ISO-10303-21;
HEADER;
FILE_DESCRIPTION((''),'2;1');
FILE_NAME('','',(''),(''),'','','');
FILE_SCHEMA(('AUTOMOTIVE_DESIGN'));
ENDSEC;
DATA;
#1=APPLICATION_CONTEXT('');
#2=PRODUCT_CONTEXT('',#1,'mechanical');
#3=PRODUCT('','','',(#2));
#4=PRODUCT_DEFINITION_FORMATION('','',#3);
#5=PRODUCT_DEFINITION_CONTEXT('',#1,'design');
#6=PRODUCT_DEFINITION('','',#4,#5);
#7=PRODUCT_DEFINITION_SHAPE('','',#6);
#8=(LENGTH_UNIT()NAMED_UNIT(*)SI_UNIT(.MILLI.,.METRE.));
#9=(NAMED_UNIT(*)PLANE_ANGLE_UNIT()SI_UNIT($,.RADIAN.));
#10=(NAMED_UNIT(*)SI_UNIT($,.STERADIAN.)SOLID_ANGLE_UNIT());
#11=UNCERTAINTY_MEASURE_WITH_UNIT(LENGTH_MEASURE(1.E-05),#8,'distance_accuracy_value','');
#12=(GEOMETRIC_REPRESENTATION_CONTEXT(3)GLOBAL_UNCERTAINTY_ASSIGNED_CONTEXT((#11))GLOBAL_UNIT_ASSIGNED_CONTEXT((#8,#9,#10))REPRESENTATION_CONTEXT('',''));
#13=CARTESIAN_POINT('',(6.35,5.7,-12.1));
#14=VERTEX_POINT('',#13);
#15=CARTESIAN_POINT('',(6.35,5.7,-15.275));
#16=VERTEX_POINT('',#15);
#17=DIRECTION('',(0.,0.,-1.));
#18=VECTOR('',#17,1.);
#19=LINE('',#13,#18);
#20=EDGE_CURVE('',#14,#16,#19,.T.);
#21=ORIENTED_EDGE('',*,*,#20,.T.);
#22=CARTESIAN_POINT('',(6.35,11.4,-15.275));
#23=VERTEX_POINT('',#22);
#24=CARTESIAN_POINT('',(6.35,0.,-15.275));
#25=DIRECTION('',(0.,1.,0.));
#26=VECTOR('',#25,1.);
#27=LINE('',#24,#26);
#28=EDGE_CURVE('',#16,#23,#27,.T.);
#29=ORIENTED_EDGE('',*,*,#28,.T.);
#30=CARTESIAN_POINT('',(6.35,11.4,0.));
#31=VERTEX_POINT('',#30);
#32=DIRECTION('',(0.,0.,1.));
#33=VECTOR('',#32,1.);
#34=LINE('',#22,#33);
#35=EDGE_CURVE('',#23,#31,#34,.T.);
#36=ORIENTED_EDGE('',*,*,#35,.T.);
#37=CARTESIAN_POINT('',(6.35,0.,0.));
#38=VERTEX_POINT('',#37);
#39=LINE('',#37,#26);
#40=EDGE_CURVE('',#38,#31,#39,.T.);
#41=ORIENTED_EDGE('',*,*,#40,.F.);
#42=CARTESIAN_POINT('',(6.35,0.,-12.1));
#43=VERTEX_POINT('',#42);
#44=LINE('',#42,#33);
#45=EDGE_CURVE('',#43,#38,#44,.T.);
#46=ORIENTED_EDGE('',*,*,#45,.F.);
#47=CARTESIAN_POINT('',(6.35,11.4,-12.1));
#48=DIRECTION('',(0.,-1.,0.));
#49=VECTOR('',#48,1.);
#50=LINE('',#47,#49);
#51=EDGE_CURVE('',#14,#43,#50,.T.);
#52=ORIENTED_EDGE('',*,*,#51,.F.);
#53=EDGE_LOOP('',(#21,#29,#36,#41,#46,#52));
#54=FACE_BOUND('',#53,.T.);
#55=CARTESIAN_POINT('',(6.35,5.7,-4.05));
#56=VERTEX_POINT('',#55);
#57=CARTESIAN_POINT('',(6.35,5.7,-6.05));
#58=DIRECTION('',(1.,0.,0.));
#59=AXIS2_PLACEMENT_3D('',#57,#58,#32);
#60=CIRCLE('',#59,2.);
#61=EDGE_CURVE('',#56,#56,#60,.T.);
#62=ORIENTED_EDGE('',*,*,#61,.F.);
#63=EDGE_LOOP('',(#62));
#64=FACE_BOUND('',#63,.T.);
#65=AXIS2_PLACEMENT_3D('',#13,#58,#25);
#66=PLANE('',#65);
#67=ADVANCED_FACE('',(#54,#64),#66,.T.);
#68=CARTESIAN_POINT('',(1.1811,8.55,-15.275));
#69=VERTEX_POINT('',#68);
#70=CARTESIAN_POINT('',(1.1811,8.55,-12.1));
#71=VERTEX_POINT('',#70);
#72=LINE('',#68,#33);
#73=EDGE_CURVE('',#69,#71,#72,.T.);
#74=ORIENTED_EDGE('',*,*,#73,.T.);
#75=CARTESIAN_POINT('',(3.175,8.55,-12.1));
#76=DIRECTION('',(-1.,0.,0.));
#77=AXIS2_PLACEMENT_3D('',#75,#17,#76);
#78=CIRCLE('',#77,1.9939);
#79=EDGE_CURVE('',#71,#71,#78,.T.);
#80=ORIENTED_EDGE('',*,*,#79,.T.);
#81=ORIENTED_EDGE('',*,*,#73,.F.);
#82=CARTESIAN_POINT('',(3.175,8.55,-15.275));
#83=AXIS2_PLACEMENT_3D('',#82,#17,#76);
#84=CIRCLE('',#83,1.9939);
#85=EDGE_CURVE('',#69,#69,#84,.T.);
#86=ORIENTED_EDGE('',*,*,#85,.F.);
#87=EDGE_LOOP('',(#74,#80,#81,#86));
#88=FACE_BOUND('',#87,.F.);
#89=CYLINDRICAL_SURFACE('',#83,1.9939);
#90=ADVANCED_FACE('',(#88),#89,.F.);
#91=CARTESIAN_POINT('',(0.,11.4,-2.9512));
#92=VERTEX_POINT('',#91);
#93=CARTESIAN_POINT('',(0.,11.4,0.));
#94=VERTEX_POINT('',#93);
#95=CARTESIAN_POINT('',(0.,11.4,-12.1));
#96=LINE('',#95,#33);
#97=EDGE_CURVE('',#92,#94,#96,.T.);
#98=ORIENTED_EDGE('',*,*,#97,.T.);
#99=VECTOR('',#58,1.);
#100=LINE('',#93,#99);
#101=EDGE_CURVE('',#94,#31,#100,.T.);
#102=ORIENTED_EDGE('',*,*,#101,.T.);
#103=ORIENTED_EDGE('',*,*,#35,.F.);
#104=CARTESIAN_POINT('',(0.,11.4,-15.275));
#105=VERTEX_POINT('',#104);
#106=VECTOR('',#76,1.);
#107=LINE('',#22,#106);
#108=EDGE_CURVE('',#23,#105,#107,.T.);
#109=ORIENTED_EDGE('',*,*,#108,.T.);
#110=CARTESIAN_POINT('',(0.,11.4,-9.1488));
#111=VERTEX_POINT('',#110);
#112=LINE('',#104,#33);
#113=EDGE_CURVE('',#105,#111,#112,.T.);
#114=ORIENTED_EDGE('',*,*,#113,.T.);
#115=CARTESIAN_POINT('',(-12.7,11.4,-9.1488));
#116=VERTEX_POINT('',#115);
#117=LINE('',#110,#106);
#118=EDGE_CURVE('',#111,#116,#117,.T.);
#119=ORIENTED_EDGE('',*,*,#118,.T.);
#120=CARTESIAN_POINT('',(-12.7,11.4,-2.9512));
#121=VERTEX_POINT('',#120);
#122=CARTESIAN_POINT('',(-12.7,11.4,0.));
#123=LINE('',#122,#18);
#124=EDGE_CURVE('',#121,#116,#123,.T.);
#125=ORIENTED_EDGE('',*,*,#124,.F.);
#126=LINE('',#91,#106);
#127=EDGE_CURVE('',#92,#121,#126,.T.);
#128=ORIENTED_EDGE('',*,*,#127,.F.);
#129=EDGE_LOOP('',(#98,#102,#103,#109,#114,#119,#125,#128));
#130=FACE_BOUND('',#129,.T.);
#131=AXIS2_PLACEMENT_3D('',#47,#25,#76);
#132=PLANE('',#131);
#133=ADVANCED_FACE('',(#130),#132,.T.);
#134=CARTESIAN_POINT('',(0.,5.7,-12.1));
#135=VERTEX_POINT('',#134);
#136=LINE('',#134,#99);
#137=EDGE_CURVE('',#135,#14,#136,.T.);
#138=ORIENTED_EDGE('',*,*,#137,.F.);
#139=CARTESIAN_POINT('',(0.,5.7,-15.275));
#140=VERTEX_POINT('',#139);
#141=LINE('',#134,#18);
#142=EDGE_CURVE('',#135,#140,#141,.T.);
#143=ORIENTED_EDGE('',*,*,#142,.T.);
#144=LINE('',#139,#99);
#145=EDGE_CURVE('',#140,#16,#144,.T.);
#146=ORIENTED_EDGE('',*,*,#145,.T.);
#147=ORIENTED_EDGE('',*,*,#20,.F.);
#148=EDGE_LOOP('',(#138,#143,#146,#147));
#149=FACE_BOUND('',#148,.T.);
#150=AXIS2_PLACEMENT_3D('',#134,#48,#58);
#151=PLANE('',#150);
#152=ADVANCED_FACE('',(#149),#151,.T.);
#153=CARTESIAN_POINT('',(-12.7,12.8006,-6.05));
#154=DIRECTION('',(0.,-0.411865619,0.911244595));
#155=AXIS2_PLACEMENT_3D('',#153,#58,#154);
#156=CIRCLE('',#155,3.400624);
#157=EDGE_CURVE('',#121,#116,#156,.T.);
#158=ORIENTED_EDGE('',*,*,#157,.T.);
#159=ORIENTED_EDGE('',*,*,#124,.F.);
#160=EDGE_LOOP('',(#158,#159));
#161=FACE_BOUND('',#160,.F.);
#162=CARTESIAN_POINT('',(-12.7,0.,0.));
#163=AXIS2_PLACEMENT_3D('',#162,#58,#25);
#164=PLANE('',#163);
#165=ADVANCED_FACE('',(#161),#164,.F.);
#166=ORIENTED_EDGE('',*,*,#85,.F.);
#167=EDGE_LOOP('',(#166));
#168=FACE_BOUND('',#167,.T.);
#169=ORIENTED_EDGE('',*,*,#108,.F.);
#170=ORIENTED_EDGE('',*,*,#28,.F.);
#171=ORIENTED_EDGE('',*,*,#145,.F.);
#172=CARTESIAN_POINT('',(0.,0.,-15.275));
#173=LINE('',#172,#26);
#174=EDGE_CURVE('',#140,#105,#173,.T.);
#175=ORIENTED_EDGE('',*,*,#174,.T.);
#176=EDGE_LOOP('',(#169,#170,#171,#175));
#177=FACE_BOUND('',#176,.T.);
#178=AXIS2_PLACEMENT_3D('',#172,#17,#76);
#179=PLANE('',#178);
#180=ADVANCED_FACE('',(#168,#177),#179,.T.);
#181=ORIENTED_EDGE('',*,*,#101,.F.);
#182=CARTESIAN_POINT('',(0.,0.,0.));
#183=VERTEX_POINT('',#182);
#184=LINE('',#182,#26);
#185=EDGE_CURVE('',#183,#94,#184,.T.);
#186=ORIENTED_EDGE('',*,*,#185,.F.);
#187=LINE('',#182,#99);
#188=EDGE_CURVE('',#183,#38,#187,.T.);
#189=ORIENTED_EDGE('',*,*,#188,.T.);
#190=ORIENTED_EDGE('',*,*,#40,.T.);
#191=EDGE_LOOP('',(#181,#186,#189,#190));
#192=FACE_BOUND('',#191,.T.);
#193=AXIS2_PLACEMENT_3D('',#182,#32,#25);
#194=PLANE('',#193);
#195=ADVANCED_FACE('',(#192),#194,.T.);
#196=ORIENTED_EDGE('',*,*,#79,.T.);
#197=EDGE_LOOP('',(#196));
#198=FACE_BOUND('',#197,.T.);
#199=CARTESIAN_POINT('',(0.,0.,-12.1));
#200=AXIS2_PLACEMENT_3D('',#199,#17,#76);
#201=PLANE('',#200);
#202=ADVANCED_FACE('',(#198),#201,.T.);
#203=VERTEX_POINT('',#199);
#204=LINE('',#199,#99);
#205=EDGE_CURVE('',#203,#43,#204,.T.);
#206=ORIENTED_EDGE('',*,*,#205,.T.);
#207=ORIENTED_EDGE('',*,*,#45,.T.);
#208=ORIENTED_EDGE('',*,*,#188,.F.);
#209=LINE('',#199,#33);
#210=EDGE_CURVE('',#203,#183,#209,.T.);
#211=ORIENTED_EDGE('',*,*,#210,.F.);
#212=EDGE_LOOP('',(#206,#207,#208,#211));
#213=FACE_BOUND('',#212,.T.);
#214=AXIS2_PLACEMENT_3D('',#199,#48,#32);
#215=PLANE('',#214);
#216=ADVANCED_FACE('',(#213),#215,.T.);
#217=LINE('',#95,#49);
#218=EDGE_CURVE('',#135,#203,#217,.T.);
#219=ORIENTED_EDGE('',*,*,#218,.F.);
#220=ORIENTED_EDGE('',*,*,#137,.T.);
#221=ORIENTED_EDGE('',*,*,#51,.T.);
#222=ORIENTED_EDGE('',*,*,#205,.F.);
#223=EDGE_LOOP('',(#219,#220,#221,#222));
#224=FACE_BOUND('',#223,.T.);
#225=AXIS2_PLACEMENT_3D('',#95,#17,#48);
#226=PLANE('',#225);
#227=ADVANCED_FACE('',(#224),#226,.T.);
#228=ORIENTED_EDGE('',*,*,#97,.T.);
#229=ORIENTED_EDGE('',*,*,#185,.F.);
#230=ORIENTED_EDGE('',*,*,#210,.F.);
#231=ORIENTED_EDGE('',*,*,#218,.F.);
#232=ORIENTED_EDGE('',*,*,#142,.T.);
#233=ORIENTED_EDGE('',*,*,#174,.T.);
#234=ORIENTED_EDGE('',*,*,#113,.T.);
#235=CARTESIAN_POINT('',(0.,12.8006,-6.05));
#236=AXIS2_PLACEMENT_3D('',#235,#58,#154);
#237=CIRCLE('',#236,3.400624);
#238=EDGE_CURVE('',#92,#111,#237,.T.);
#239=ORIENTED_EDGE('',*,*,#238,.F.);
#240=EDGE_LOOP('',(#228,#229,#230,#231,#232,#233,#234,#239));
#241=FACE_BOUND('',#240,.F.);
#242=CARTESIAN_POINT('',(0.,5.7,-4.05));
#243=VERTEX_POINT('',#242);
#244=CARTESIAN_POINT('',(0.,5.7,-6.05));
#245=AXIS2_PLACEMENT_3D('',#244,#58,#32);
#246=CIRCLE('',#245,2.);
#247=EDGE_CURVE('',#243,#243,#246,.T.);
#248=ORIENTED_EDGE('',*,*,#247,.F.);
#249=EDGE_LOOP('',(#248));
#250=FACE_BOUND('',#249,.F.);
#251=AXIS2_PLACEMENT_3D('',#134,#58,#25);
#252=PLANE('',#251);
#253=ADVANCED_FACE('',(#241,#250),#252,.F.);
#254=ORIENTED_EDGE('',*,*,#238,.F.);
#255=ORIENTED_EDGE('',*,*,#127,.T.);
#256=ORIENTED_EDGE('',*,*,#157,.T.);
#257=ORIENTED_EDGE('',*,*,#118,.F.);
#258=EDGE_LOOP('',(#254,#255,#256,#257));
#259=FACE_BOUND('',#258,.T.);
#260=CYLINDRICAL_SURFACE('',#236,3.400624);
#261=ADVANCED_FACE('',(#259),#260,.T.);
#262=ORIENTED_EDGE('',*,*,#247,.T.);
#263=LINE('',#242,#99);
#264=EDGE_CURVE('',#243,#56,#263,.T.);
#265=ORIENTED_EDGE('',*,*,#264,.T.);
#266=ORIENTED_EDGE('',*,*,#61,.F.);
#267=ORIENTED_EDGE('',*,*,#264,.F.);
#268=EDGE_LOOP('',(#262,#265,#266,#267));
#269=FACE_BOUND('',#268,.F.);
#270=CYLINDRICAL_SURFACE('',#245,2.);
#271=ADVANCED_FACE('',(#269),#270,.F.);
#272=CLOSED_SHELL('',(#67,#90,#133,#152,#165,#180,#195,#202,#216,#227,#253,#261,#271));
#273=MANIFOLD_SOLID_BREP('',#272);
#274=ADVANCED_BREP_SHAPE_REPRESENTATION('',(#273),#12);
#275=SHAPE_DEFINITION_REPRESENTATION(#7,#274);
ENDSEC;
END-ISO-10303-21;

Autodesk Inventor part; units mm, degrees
ref_plane "YZ Plane" through (0, 0, 0) normal (1, 0, 0) x (0, 1, 0)
ref_plane "XZ Plane" through (0, 0, 0) normal (0, 1, 0) x (-1, 0, 0)
ref_plane "XY Plane" through (0, 0, 0) normal (0, 0, 1) x (1, 0, 0)
sketch "Sketch1" plane through (0, 0, 0) normal (1, 0, 0) x (0, 1, 0)
  line L0 (0, 0) -> (11.4, 0)
  line L1 (11.4, 0) -> (11.4, -12.1)
  line L2 (11.4, -12.1) -> (0, -12.1)
  line L3 (0, -12.1) -> (0, 0)
  arc A0 (11.4, -2.9512) -> (11.4, -9.1488) centre (12.8006, -6.05) ccw
  point P0 (3.5, -5)
  dimension "d0" = 11.4
  dimension "d1" = 12.1
  dimension "d2" = 6.1976
  dimension "d3" = 2.9512
  dimension "d29" = 2
extrude "Extrusion1" add sketch "Sketch1" along normal blind 6.35
extrude "Extrusion2" add sketch "Sketch1" against normal blind 12.7 contours L1 A0
sketch "Sketch3" plane through (0, 0, 0) normal (-1, 0, 0) x (0, 0, 1)
  line L0 (0, 11.4) -> (0, 0) projected
  line L1 (0, 0) -> (-12.1, 0) projected
  point P0 (-6.05, 5.7)
  dimension "d19" = 12.1
  dimension "d20" = 6.05
  dimension "d30" = 11.4
  dimension "d31" = 5.7
hole "Hole2" at (0, 5.7, -6.05) direction (1, 0, 0) diameter 4 end through all
sketch "Sketch9" plane through (0, 0, -12.1) normal (0, 0, -1) x (-1, 0, 0)
  line L0 (-6.35, 0) -> (-6.35, 11.4) projected
  line L1 (0, 0) -> (0, 11.4) projected
  line L2 (-6.35, 11.4) -> (0, 11.4)
  line L3 (0, 11.4) -> (0, 5.7)
  line L4 (0, 5.7) -> (-6.35, 5.7)
  line L5 (-6.35, 5.7) -> (-6.35, 11.4)
  dimension "d70" = 11.4
  dimension "d71" = 5.7
extrude "Extrusion10" add sketch "Sketch9" along normal blind 3.175
sketch "Sketch10" plane through (0, 0, -15.275) normal (0, 0, -1) x (-1, 0, 0)
  circle A0 centre (-3.175, 8.55) radius 1.9939
  line L0 (-6.35, 11.4) -> (-6.35, 5.7) projected
  line L1 (0, 11.4) -> (-6.35, 11.4) projected
  point P0 (0, 0)
  dimension "d74" = 6.35
  dimension "d75" = 5.7
  dimension "d76" = 2.85
  dimension "d77" = 3.175
  dimension "d80" = 3.9878
extrude "Extrusion11" cut sketch "Sketch10" against normal up to surface (3.175 mm away)
thread "Thread3" size "M4x0.7" class "6H" standard "ISO Metric profile" full length
equation "\"d3\" = -0.5 * d2 + 0.5 * d1"
equation "\"d20\" = 0.5 * d19"
equation "\"d31\" = 0.5 * d30"
equation "\"d71\" = 0.5 * d70"
equation "\"d76\" = 0.5 * d75"
equation "\"d77\" = 0.5 * d74"
properties part number "end peice for slides"
